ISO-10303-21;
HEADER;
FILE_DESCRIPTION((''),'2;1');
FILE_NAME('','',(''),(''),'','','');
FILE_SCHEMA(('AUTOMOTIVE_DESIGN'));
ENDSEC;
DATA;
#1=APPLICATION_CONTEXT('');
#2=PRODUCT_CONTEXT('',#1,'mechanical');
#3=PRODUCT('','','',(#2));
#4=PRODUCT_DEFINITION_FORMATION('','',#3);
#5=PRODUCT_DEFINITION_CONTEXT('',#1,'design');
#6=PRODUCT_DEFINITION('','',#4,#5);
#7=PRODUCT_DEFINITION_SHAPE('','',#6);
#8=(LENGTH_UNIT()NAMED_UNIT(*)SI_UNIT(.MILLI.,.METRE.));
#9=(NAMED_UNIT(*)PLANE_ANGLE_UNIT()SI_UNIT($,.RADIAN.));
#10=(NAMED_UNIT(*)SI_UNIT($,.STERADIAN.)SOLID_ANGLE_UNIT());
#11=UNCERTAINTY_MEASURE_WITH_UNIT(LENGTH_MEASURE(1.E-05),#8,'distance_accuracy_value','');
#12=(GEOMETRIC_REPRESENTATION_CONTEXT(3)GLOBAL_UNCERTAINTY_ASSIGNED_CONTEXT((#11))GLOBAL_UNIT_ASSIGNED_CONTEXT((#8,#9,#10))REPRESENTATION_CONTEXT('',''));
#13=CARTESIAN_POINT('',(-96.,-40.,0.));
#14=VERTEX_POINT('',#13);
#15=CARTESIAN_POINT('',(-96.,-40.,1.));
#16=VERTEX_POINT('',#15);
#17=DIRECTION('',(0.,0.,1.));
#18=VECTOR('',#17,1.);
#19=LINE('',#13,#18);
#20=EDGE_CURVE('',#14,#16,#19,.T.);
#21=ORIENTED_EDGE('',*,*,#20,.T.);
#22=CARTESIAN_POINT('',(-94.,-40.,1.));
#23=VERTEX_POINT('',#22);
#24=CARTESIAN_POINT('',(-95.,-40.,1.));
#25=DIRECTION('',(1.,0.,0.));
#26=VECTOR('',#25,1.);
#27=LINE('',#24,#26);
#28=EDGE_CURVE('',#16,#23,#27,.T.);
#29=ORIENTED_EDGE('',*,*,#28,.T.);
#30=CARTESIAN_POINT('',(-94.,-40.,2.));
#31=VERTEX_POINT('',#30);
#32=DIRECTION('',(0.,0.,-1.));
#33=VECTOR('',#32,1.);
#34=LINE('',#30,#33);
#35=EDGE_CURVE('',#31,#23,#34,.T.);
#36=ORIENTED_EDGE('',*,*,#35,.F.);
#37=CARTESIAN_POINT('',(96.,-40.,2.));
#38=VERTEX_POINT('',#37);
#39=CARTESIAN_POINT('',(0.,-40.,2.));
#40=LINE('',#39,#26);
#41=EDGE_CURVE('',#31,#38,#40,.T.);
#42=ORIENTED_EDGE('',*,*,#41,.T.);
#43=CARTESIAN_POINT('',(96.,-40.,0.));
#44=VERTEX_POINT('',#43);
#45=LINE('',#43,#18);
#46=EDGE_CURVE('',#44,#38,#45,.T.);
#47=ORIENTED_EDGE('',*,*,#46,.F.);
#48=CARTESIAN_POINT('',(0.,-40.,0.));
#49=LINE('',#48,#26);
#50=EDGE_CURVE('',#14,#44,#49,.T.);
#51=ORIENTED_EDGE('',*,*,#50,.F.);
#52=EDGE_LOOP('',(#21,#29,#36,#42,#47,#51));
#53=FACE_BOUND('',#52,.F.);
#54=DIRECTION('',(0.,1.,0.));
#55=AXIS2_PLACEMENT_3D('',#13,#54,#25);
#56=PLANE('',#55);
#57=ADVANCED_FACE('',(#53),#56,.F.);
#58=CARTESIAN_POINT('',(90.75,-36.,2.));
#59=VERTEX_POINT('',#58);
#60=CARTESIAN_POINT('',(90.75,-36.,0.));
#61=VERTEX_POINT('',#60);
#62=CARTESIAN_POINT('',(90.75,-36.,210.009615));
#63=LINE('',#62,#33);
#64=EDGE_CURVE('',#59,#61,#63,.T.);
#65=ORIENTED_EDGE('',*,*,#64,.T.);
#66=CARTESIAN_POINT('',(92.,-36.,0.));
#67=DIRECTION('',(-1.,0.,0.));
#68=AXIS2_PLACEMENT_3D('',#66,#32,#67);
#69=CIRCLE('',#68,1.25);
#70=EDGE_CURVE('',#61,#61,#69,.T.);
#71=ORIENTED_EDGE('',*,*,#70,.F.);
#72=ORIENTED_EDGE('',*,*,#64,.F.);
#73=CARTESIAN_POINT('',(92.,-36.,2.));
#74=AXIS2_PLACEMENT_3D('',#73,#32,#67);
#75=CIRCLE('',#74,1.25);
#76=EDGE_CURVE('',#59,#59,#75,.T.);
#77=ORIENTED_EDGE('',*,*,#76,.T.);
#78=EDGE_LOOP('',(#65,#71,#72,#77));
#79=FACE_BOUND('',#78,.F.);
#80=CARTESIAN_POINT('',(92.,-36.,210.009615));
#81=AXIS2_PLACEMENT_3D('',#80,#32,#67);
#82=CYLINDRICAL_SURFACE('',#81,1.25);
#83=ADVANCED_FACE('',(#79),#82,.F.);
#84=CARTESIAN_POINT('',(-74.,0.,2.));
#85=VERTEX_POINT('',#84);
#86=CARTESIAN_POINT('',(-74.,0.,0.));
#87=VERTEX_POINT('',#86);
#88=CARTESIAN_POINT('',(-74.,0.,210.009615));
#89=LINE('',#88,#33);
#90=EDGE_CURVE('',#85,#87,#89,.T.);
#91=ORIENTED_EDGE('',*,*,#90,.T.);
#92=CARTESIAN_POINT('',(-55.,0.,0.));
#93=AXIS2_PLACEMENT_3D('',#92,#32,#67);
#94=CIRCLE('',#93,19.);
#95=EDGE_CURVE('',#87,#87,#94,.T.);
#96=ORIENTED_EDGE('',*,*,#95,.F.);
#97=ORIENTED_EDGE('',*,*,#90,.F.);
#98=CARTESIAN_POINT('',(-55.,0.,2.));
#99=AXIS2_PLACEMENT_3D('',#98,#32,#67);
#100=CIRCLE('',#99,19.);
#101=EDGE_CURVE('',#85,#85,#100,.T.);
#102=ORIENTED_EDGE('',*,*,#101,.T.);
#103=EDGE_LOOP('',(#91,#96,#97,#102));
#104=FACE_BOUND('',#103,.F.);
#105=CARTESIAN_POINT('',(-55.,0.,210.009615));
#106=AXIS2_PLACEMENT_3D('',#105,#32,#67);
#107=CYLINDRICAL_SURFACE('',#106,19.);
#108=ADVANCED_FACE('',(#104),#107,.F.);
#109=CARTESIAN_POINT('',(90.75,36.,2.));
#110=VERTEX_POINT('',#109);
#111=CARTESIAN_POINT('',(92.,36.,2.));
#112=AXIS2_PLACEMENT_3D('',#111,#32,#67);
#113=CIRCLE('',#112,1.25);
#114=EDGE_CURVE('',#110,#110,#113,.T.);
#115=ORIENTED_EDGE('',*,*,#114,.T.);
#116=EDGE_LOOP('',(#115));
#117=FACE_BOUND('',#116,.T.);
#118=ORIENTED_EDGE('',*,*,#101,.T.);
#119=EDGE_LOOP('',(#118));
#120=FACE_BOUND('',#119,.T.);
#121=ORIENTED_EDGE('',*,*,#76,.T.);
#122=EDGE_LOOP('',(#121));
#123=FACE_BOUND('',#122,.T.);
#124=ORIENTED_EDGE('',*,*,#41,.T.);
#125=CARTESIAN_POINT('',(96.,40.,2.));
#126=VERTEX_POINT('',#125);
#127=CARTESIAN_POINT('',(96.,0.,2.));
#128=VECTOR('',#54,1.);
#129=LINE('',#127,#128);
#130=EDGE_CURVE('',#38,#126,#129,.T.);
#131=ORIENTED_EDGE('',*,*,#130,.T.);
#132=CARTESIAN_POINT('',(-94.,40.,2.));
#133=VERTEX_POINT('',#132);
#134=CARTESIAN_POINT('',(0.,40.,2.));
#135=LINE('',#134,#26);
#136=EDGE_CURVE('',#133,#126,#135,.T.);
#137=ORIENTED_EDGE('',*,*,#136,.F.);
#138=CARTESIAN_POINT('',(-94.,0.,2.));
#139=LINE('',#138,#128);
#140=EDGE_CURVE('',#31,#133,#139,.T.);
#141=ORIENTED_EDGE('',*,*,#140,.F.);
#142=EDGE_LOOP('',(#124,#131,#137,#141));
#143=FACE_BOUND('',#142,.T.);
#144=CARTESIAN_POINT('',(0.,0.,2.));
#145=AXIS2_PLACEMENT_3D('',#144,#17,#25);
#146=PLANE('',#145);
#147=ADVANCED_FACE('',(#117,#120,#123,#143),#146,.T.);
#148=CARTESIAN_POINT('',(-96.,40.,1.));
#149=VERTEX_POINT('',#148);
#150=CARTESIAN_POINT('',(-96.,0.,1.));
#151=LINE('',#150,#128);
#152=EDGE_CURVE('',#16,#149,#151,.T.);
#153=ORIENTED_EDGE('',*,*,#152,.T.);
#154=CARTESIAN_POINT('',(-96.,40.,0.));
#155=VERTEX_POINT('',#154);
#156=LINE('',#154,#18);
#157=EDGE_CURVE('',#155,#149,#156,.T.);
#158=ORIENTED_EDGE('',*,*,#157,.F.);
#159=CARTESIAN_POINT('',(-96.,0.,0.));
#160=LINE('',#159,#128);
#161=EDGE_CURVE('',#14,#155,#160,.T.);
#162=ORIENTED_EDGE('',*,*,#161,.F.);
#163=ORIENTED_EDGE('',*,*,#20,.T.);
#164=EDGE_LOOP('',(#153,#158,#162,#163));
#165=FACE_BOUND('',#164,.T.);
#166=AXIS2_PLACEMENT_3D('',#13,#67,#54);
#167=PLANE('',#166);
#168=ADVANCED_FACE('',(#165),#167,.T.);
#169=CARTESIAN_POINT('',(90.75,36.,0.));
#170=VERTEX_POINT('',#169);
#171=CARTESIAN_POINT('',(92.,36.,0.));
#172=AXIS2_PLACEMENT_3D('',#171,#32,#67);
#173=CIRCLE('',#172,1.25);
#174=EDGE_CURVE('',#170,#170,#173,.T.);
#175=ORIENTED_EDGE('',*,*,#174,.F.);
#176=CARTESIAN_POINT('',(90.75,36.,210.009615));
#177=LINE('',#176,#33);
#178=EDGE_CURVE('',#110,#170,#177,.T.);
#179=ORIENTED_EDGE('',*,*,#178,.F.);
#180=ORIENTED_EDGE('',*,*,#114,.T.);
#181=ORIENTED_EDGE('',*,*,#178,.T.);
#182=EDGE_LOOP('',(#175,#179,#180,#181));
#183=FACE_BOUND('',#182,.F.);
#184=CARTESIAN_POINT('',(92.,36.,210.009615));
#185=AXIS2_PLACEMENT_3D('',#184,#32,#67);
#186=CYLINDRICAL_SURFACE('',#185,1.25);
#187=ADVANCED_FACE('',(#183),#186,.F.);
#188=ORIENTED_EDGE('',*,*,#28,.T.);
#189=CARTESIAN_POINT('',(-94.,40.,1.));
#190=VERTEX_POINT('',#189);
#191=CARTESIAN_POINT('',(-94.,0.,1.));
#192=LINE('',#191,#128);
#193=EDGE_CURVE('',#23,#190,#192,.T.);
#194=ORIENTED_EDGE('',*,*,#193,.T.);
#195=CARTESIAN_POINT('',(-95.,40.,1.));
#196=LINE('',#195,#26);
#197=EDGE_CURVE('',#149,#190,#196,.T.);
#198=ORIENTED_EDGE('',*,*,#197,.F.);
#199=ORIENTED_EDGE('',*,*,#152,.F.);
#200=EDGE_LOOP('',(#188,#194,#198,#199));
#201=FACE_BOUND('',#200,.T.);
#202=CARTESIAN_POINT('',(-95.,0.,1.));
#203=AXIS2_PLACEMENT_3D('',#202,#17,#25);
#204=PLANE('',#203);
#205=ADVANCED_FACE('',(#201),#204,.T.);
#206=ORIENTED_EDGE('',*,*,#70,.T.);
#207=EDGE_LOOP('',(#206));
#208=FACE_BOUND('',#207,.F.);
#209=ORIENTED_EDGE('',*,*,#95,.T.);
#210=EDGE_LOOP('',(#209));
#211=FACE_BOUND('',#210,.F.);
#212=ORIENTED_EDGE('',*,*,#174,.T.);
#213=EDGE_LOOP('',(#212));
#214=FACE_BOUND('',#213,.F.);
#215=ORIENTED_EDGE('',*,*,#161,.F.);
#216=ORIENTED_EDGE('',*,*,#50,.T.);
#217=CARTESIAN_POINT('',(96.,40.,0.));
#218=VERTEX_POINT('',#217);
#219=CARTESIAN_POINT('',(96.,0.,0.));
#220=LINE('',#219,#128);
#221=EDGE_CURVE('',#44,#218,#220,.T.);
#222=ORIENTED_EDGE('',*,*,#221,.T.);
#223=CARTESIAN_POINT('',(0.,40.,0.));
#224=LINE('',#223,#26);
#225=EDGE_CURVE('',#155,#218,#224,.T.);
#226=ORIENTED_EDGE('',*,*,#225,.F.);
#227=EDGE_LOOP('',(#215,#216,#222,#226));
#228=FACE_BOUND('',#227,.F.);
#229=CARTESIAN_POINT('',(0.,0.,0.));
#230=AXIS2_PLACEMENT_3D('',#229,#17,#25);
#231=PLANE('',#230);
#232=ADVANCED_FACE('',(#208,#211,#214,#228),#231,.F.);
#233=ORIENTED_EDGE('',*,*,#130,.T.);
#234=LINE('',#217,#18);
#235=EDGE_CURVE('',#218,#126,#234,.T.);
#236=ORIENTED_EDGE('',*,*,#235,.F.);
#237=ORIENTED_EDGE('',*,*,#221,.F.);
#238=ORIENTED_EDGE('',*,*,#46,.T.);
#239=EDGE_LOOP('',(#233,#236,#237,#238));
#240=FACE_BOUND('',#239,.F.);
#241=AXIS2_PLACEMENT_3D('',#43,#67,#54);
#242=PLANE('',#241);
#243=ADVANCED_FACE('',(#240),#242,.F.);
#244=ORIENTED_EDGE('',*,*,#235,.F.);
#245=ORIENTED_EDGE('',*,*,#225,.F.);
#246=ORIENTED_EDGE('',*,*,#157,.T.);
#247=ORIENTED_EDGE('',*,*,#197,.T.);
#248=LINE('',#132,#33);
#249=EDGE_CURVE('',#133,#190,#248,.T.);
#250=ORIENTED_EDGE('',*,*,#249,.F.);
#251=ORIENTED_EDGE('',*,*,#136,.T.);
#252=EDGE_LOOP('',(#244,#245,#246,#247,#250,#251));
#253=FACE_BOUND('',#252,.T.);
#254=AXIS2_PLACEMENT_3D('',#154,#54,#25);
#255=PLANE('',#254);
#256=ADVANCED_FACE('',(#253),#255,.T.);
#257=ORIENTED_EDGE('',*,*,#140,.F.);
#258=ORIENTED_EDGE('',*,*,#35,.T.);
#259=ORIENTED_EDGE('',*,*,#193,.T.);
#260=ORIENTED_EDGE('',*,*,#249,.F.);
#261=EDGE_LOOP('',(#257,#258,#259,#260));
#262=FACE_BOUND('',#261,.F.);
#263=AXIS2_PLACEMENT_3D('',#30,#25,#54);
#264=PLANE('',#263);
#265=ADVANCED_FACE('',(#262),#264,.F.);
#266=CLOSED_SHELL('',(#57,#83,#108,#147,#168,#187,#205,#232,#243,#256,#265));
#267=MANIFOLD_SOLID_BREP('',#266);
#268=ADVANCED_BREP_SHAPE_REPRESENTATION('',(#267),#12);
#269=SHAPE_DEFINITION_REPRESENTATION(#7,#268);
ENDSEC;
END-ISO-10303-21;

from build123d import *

# Parameters (mm, degrees)
F0_W     = 192
F0_H     = 80
F1_DEPTH = 2
F2_W     = 2
F2_H     = 80
F3_DEPTH = 1
F5_D     = 2.5
F7_D     = 38


with BuildPart() as f1:
    # F0 (on Top) → F1 (new body)
    with BuildSketch(Plane.XY):
        Rectangle(F0_W, F0_H)
    extrude(amount=F1_DEPTH)

    # F2 (on face) → F3 (cut)
    with BuildSketch(Plane.XY.offset(2)):
        with Locations((-95, 0)):
            Rectangle(F2_W, F2_H)
    extrude(amount=-F3_DEPTH, mode=Mode.SUBTRACT)

    # F5 (through all)
    with Locations(Plane.XY.offset(2)):
        with Locations((92, 36), (92, -36)):
            Hole(F5_D / 2)

    # F7 (through all)
    with Locations(Plane.XY.offset(2)):
        with Locations((-55, 0)):
            Hole(F7_D / 2)


solid = f1.part
